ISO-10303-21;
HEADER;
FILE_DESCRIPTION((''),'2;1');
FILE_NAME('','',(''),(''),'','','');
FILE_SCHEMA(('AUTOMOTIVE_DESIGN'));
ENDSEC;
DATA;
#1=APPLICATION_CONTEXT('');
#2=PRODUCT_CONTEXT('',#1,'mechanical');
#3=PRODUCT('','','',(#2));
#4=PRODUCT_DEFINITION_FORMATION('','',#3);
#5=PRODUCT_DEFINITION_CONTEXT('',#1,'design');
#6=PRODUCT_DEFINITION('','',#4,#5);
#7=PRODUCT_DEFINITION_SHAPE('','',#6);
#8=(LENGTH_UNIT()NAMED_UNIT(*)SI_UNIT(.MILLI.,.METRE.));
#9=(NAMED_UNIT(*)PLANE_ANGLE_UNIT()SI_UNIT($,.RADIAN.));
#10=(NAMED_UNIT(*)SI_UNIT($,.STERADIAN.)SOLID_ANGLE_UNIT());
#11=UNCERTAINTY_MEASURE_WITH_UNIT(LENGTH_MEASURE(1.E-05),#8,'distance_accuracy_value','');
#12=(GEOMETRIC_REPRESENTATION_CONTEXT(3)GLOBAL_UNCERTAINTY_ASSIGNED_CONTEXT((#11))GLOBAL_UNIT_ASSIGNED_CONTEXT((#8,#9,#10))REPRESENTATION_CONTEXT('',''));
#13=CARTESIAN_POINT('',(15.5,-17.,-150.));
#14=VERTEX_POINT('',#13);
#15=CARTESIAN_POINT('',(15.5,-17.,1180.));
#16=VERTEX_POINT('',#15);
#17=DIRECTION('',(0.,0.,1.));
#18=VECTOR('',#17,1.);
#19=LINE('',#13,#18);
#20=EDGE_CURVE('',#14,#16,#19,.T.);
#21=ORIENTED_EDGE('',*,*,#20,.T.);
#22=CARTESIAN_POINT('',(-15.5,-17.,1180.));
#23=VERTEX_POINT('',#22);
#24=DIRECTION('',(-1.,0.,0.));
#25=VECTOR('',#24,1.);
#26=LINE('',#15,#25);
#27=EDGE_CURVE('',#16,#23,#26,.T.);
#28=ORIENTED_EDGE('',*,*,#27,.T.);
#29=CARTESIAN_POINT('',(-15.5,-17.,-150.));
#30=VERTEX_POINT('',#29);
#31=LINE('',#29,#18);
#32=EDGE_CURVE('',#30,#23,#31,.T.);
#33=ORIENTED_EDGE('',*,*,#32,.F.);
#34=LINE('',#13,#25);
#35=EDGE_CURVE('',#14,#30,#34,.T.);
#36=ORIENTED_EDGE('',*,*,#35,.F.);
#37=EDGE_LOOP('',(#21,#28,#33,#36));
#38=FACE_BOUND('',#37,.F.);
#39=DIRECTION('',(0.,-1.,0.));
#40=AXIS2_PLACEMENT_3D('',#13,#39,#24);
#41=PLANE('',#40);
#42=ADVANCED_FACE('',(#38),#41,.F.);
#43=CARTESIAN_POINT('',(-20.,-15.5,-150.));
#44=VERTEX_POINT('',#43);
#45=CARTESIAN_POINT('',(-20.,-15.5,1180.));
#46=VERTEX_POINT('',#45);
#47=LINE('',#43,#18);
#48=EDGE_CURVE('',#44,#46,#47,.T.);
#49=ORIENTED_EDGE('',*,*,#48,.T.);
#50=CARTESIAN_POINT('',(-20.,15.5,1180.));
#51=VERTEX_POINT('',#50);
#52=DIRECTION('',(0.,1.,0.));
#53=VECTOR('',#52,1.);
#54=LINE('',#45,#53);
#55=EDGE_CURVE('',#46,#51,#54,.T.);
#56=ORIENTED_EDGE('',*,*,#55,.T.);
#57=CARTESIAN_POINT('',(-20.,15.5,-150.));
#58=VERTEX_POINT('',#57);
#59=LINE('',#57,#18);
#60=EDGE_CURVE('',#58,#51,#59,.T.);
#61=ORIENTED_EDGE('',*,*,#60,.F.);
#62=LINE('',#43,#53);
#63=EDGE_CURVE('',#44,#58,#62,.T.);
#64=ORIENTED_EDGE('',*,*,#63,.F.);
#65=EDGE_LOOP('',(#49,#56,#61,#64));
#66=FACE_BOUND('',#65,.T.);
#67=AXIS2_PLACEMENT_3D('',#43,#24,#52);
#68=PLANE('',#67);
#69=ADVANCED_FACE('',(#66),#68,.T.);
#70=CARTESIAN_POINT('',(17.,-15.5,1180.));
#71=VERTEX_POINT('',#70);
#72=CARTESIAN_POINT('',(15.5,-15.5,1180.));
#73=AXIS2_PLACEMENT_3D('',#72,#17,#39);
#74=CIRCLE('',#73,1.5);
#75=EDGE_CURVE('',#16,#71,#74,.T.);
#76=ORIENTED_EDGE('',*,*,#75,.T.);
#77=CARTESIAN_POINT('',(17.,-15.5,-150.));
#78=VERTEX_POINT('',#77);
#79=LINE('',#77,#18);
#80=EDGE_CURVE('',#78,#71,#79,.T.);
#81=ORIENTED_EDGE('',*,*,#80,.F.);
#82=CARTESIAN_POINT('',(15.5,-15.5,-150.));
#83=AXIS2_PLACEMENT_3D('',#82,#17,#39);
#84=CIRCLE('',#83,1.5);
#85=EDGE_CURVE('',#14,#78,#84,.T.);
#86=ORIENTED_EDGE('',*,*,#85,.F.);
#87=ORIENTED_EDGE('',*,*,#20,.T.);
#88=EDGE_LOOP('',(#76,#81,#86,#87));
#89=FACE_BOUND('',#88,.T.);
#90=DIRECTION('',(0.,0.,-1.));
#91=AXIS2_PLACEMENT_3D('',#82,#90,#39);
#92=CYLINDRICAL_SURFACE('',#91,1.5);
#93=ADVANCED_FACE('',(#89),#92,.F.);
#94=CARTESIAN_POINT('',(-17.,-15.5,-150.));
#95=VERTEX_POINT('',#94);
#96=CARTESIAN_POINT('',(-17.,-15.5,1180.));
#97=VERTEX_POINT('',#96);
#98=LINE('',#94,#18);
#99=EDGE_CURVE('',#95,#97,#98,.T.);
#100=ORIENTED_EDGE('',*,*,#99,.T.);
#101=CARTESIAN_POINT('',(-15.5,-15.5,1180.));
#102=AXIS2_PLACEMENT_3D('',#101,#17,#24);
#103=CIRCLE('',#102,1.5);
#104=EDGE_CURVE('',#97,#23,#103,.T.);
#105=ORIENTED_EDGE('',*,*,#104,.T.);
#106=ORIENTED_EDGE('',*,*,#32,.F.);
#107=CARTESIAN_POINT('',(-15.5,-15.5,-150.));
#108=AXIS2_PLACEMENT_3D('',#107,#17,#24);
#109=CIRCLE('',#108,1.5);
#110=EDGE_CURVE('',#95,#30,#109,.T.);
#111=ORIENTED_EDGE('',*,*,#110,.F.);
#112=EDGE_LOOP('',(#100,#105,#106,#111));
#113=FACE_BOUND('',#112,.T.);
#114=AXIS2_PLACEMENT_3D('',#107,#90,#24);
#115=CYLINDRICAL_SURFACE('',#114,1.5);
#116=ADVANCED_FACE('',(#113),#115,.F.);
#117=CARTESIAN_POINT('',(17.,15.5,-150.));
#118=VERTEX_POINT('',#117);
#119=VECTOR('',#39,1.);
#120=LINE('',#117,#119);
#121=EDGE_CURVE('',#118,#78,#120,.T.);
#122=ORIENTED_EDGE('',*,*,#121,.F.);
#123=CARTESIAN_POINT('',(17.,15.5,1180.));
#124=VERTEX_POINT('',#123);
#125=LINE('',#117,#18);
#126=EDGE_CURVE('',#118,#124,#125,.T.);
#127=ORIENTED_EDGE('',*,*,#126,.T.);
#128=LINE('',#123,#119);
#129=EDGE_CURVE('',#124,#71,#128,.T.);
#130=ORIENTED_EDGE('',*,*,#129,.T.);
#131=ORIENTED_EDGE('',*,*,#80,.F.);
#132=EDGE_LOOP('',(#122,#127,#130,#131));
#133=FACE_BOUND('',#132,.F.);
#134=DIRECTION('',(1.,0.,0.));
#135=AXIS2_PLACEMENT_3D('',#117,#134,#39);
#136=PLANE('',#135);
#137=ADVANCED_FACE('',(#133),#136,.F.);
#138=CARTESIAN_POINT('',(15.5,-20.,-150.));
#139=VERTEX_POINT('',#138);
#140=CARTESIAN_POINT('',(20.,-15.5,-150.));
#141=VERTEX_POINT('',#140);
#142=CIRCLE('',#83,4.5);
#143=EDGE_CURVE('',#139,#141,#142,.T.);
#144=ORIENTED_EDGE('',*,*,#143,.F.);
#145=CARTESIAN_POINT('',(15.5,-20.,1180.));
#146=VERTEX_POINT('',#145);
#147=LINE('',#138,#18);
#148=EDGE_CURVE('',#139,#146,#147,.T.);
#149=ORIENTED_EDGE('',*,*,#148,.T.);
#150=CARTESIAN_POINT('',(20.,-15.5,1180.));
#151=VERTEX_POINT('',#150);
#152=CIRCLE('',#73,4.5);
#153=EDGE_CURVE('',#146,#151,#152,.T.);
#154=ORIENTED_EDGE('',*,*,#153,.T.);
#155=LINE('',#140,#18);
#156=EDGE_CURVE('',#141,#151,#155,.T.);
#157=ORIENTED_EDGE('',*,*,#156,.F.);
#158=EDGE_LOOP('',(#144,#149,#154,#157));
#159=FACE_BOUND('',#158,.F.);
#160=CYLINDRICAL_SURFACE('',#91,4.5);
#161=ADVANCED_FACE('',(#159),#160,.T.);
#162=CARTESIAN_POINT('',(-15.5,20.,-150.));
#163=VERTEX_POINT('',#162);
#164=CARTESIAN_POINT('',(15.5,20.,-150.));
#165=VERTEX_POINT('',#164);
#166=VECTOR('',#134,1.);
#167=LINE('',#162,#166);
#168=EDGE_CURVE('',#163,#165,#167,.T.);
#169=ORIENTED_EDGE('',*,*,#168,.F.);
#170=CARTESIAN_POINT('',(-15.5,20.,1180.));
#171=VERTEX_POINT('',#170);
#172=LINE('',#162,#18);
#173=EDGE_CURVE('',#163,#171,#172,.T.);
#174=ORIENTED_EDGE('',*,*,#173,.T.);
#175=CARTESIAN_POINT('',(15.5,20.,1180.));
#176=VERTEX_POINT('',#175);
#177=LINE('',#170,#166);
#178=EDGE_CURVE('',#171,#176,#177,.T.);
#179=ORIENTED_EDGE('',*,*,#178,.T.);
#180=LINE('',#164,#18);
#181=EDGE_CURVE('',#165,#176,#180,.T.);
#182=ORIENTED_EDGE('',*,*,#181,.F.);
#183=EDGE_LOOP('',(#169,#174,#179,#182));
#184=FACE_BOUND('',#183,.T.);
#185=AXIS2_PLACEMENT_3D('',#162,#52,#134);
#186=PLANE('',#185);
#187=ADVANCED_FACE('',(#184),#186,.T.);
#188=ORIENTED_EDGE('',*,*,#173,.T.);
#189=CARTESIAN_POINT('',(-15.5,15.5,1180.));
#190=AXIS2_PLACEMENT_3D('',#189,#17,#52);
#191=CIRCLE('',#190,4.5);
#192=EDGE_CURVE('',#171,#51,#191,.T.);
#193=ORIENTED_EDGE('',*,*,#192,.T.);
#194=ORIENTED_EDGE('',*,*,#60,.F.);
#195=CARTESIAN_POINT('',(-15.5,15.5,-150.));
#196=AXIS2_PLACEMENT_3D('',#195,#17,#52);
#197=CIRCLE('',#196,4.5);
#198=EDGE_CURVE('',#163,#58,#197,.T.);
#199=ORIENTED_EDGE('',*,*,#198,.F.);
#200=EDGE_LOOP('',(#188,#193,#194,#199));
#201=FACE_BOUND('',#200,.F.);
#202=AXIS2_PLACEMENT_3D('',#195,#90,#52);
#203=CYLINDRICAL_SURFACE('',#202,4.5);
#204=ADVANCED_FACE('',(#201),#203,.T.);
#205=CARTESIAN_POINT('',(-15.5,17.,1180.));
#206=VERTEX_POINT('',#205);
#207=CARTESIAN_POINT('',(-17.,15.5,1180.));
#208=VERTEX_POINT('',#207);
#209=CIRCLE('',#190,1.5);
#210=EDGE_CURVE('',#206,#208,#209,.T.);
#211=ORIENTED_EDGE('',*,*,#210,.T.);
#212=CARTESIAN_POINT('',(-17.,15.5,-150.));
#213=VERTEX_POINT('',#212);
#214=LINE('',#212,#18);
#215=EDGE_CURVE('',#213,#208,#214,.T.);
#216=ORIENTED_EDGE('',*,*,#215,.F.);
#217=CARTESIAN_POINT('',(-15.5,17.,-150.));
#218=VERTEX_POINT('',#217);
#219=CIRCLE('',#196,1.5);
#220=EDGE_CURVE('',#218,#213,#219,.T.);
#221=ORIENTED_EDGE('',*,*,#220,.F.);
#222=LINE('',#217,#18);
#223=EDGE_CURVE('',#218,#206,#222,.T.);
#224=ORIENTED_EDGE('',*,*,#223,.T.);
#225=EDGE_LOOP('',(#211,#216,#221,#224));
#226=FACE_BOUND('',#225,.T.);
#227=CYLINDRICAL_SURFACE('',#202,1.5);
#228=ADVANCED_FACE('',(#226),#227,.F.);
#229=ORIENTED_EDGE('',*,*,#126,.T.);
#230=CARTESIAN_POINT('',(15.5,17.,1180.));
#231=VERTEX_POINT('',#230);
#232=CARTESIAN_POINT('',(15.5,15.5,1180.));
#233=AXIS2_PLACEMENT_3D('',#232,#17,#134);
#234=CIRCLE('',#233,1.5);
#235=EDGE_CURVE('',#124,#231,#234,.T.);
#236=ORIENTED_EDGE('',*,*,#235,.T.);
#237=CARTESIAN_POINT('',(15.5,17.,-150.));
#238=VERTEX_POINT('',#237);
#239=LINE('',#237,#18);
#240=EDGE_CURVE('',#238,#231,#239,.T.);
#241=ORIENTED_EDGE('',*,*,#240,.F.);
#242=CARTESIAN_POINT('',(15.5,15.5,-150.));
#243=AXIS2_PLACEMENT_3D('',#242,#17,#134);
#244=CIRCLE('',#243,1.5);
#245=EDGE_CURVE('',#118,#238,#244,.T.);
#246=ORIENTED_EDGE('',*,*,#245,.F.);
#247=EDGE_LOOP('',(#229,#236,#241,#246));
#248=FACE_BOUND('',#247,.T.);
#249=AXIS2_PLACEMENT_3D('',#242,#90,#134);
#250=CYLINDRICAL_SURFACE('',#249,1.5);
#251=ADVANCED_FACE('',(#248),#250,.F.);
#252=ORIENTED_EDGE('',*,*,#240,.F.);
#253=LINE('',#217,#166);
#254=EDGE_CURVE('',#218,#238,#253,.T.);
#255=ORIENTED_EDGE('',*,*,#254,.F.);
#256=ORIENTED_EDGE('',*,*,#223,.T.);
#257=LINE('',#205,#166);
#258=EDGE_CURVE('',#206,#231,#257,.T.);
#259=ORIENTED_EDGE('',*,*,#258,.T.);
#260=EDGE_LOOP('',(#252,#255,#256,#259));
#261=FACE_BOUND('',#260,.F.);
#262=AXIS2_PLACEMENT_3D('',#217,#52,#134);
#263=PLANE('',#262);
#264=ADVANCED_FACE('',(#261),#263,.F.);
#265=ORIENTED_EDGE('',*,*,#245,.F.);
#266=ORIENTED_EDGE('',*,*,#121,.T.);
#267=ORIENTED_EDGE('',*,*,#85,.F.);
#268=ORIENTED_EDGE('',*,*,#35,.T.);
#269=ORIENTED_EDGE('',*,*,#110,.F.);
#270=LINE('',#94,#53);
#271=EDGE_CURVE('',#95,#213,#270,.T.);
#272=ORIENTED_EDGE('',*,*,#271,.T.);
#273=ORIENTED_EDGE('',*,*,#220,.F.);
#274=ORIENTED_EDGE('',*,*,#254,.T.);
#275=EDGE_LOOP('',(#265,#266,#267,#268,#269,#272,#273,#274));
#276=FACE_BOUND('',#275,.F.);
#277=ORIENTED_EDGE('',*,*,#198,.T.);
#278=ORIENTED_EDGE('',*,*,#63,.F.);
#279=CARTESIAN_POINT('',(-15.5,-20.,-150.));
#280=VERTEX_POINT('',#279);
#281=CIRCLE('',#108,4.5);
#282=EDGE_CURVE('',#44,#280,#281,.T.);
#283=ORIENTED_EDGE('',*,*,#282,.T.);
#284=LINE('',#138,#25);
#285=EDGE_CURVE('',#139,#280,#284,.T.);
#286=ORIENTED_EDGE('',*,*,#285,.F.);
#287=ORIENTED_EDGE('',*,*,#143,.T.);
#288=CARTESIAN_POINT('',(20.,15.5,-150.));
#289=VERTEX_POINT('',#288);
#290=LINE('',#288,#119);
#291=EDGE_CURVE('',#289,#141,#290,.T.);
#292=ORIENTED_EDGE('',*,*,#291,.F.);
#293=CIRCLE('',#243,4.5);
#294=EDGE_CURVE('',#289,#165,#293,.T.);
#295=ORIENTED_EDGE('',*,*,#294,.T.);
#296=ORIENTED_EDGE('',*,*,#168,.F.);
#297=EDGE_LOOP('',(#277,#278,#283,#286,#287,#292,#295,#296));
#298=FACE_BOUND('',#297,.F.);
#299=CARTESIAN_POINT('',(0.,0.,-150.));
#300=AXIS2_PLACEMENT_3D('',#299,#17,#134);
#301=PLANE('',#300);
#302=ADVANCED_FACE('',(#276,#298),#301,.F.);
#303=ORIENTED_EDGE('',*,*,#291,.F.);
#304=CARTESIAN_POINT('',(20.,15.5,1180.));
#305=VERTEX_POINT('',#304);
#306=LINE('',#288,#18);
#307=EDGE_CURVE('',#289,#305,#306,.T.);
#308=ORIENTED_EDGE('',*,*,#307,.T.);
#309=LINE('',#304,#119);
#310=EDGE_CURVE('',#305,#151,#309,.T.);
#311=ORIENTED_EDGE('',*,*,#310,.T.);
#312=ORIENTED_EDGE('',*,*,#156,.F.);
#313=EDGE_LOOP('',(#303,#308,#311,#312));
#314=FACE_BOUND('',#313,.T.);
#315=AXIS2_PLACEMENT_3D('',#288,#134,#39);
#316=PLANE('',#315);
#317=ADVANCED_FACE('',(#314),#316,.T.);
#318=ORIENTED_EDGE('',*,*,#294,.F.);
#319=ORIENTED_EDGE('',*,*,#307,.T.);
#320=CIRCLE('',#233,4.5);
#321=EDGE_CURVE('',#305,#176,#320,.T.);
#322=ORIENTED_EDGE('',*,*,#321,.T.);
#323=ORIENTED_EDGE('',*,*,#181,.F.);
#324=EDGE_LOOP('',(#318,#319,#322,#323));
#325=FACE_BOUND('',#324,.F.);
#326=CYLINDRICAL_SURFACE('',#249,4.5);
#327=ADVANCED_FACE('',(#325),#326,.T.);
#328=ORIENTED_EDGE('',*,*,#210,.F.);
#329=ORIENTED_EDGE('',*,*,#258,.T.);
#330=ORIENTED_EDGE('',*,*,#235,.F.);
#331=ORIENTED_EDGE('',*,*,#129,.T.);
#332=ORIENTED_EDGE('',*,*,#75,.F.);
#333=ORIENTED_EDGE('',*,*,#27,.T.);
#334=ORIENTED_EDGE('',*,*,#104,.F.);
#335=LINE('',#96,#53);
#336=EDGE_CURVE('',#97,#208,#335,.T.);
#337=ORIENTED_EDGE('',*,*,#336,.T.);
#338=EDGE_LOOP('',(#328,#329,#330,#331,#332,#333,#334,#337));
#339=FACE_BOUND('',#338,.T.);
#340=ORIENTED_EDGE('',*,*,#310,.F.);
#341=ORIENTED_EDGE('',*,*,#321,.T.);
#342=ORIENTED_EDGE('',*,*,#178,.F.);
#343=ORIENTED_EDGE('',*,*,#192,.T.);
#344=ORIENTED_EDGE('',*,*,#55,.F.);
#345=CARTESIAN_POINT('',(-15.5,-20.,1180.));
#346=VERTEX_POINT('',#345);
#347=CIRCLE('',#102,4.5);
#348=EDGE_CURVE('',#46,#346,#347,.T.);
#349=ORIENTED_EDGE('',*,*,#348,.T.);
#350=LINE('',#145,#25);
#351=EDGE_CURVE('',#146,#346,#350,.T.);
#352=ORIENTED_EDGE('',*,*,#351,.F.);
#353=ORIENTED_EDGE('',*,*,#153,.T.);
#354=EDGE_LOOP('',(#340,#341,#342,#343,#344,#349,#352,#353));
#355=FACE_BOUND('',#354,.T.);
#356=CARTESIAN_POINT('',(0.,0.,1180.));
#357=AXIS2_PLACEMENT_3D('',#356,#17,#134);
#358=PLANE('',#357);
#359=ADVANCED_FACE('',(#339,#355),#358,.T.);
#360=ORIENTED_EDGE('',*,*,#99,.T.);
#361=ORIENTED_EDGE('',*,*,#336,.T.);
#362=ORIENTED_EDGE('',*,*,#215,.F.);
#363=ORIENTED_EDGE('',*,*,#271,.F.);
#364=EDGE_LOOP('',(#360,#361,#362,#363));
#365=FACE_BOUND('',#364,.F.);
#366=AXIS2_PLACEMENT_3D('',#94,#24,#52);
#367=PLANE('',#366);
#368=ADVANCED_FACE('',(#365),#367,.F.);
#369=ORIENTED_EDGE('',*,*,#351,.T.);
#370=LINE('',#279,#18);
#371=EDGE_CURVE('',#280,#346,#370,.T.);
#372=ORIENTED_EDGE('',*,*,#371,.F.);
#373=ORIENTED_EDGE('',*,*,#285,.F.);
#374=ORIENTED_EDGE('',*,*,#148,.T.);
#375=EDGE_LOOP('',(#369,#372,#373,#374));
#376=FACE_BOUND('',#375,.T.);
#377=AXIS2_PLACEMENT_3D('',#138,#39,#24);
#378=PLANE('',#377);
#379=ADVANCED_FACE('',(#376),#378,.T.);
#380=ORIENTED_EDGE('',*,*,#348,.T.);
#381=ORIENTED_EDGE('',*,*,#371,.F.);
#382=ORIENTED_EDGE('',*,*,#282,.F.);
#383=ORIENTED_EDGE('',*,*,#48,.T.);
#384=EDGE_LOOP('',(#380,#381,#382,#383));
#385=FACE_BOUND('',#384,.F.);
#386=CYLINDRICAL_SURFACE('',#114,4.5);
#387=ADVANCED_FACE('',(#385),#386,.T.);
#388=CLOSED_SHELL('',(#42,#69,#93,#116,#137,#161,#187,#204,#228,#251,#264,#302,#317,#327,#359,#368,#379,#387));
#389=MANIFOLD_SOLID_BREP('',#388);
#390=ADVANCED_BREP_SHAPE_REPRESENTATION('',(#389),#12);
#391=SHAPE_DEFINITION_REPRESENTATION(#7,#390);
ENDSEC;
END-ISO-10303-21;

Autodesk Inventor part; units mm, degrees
ref_plane "Start Plane" through (0, 0, -150) normal (0, 0, 1) x (1, 0, 0)
ref_plane "End Plane" through (0, 0, 1180) normal (0, 0, 1) x (1, 0, 0)
sketch "Sketch" plane through (0, 0, 0) normal (0, 0, 1) x (1, 0, 0)
  line L0 (-20, -15.5) -> (-20, 15.5)
  line L1 (-15.5, 20) -> (15.5, 20)
  line L2 (20, 15.5) -> (20, -15.5)
  line L3 (15.5, -20) -> (-15.5, -20)
  arc A0 (-20, -15.5) -> (-15.5, -20) centre (-15.5, -15.5) ccw
  arc A1 (-15.5, 20) -> (-20, 15.5) centre (-15.5, 15.5) ccw
  arc A2 (20, 15.5) -> (15.5, 20) centre (15.5, 15.5) ccw
  arc A3 (15.5, -20) -> (20, -15.5) centre (15.5, -15.5) ccw
  arc A4 (-15.5, 17) -> (-17, 15.5) centre (-15.5, 15.5) ccw
  line L4 (-15.5, 17) -> (15.5, 17)
  arc A5 (17, 15.5) -> (15.5, 17) centre (15.5, 15.5) ccw
  line L5 (17, 15.5) -> (17, -15.5)
  arc A6 (15.5, -17) -> (17, -15.5) centre (15.5, -15.5) ccw
  line L6 (15.5, -17) -> (-15.5, -17)
  arc A7 (-17, -15.5) -> (-15.5, -17) centre (-15.5, -15.5) ccw
  line L7 (-17, -15.5) -> (-17, 15.5)
  line L8 (0, 29.3048) -> (0, -29.3048) construction
  line L9 (-29.3048, 0) -> (29.3048, 0) construction
  dimension "d7" = 4.5
  dimension "d10" = 40
  dimension "d11" = 40
  dimension "d12" = 3
  dimension "d15" = 20
  dimension "d16" = 20
extrude "Body" add sketch "Sketch" along normal up to surface (1330 mm away) from surface at -150
sketch "Sketch3" plane through (0, 0, 0) normal (0, 0, 1) x (1, 0, 0)
  line L0 (0, 0) -> (10, 0)
ref_plane "Work Plane3" through (0, 0, 0) normal (0, -1, 0) x (1, 0, 0)
ref_plane "Work Plane5" through (-1000, -984.5, 1180) normal (0, 0, 1) x (1, 0, 0)
split "Split2" plane through (-1000, -984.5, 1180) removes the side toward (0, 0, 1)
sketch "Sketch4" plane through (0, 0, 0) normal (0, -1, 0) x (1, 0, 0)
  line L0 (-2, -150) -> (12, -150) projected
  line L1 (-2, 1180) -> (12, 1180) projected
  dimension "d18" = 1330
equation "\"d7\" = G_IR"
equation "\"d10\" = G_H"
equation "\"d11\" = G_W"
equation "\"d12\" = G_T"
equation "\"d15\" = 0.5 * d10"
equation "\"d16\" = 0.5 * d11"
equation "\"d3\" = G_L"
equation "\"G_W\" = 40"
equation "\"G_H\" = 40"
equation "\"G_T\" = 3"
equation "\"G_IR\" = 4.5"
equation "\"G_L\" = d18"
properties part number "ISO 12633-2 - 40x40x3 - 1330" material "Steel, Mild"
